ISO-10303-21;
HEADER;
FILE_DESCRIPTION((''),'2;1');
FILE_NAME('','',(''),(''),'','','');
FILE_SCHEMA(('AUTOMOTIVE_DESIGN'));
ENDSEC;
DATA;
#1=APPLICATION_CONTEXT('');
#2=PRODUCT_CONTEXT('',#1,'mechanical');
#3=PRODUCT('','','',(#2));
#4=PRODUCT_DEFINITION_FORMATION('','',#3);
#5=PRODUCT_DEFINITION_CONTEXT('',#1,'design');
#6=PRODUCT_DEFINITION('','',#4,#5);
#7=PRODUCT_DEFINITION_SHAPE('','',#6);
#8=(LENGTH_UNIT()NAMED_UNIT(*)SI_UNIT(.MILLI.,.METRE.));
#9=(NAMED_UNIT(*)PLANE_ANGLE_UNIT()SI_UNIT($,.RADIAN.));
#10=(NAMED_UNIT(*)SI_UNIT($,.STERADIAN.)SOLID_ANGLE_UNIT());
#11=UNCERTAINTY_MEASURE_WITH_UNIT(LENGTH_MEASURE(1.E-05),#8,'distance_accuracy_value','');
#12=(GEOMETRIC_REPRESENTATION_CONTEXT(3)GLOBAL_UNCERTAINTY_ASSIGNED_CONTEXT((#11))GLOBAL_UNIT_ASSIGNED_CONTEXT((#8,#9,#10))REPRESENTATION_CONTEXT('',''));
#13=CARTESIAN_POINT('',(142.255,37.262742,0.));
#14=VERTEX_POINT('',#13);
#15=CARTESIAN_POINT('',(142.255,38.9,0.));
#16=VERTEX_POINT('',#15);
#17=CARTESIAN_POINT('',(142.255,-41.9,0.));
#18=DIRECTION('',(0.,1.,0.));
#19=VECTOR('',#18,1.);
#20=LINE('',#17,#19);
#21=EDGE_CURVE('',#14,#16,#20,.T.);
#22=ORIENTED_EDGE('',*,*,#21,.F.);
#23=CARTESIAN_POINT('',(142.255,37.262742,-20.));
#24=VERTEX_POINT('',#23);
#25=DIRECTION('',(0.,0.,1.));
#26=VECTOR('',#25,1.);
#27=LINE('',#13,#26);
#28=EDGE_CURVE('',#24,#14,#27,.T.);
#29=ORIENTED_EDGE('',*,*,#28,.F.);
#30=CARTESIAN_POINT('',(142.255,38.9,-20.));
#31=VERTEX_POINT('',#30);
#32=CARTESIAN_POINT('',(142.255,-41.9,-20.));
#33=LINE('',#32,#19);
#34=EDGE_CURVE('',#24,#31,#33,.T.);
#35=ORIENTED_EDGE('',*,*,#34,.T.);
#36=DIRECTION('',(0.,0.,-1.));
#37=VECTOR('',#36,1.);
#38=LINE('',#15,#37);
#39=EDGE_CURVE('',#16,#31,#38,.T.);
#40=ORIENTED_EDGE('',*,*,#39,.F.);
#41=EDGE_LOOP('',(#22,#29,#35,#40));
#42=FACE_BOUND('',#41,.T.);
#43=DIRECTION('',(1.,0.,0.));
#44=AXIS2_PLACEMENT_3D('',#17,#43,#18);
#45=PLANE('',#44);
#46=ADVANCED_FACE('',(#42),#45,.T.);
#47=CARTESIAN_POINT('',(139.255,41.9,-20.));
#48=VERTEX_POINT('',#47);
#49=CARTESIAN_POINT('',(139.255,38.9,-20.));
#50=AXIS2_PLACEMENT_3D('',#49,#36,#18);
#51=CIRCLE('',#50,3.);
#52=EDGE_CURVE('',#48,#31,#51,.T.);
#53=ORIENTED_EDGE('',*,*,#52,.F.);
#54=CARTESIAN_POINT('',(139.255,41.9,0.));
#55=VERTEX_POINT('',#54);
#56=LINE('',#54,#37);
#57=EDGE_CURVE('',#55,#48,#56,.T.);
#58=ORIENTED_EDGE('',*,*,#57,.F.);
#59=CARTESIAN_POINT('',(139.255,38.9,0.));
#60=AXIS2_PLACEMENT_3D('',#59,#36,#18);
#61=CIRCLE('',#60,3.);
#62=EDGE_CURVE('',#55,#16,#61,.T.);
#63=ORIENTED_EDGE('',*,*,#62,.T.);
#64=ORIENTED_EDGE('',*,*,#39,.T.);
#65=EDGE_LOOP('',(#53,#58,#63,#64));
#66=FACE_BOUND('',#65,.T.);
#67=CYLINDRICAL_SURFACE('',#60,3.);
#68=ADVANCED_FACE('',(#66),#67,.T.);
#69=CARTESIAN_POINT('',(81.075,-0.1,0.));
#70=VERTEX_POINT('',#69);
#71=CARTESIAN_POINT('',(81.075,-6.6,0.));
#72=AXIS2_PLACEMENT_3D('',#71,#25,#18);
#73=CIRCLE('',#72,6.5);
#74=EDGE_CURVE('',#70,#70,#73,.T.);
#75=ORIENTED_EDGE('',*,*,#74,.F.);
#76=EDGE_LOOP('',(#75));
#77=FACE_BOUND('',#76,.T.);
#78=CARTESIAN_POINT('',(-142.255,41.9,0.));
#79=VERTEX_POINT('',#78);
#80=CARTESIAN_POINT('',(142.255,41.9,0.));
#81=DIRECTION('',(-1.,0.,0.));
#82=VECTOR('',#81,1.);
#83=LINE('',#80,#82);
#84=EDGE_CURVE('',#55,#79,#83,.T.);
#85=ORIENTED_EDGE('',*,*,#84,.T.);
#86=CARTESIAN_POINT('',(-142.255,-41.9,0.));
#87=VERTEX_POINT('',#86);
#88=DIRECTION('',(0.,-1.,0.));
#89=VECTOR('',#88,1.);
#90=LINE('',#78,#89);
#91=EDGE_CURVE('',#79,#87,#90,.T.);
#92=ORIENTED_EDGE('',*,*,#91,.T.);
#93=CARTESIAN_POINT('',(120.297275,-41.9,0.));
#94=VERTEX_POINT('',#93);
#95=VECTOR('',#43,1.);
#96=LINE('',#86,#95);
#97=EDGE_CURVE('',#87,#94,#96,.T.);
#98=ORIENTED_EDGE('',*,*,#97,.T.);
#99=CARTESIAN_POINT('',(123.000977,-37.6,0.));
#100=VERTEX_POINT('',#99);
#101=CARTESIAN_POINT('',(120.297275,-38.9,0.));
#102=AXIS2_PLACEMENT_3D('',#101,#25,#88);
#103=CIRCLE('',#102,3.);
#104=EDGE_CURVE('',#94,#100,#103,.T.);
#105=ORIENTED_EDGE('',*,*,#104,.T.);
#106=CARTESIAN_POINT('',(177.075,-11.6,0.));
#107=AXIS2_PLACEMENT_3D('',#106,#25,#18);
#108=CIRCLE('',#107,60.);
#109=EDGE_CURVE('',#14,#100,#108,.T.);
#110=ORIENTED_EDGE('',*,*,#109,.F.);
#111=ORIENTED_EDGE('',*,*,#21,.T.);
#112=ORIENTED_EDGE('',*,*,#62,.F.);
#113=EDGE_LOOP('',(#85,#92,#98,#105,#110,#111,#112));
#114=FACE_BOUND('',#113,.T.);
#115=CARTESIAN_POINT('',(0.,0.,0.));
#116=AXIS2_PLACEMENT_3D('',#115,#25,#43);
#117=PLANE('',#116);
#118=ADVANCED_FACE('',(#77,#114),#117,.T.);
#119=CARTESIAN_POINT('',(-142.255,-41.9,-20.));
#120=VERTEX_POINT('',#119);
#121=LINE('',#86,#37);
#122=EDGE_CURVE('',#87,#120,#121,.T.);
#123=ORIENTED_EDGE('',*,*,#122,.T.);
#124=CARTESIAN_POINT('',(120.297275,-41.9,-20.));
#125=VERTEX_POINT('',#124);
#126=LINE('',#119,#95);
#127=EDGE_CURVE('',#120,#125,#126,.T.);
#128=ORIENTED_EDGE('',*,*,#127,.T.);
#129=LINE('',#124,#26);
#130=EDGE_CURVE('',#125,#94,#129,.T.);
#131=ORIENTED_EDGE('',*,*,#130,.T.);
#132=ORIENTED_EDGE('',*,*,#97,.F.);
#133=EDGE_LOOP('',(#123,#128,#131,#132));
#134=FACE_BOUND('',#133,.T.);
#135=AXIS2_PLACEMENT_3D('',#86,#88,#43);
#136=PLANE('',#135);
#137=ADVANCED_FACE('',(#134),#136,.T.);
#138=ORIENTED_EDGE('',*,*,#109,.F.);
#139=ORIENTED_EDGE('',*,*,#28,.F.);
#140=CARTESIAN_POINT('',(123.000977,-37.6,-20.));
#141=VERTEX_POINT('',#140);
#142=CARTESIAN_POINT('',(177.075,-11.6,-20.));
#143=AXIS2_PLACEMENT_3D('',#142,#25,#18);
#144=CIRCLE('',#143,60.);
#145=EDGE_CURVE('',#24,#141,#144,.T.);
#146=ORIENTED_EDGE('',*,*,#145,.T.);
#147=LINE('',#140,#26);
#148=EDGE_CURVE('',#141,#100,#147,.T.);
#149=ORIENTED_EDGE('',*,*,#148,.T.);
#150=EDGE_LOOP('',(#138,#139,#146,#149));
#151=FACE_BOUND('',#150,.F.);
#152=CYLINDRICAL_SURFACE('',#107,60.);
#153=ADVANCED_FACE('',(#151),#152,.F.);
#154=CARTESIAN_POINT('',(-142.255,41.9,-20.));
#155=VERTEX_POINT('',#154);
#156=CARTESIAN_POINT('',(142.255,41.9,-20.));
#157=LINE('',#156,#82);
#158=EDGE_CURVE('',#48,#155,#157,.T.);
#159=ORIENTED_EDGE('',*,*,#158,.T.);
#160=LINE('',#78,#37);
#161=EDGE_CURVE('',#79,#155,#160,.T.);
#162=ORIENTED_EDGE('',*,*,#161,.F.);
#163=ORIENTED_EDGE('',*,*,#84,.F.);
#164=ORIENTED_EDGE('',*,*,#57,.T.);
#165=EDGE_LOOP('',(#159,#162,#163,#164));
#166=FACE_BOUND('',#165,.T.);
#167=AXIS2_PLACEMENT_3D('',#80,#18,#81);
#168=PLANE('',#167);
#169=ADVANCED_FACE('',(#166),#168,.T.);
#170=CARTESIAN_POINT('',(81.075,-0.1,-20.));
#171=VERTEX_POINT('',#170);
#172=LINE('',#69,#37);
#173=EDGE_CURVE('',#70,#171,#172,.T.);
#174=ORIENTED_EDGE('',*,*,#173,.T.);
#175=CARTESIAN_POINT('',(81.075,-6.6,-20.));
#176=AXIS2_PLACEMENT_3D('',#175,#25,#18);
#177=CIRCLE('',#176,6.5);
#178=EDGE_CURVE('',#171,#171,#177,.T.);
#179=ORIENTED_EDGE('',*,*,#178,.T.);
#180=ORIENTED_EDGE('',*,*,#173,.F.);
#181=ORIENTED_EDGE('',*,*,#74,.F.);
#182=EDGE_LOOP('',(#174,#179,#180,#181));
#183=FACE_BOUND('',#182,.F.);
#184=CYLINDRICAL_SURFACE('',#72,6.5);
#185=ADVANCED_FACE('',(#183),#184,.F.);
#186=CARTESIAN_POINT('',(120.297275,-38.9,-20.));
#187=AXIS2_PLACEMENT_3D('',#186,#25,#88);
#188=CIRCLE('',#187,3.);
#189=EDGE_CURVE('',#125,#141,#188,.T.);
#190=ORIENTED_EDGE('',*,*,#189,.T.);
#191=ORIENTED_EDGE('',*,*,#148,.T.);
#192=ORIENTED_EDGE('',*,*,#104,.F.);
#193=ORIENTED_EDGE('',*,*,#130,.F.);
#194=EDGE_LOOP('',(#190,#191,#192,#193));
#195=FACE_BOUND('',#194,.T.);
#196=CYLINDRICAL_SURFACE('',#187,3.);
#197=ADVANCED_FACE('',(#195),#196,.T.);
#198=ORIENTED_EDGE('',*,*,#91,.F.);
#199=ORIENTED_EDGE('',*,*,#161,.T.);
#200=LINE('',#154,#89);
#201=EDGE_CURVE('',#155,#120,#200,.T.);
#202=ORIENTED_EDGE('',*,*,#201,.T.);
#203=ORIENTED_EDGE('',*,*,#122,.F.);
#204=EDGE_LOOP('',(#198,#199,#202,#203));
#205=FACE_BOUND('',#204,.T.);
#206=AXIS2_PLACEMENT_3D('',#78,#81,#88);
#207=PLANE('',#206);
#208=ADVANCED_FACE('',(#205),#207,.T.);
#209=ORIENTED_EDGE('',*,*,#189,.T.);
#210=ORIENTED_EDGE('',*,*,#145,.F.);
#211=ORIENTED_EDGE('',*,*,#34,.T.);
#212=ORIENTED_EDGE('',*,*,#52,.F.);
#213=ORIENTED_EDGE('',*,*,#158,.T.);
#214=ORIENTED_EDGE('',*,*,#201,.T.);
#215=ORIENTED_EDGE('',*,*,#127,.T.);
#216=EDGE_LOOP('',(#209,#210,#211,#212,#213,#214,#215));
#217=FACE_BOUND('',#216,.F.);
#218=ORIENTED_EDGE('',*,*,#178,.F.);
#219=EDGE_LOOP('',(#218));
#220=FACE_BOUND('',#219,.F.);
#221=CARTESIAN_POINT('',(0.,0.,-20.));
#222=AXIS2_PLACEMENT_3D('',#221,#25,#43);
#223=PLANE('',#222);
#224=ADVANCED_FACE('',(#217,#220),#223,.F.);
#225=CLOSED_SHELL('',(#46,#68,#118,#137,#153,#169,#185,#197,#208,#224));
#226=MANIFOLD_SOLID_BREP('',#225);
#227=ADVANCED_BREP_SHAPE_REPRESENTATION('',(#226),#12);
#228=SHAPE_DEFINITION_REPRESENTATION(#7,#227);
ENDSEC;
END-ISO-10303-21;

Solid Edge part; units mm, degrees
sketch "Sketch1" plane through (0, 0, 0) normal (0, 0, 1) x (1, 0, 0)
  line L0 (-142.255, -41.9) -> (142.255, -41.9)
  line L1 (142.255, -41.9) -> (142.255, 41.9)
  line L2 (142.255, 41.9) -> (-142.255, 41.9)
  line L3 (-142.255, 41.9) -> (-142.255, -41.9)
extrude "Protrusion1" add sketch "Sketch1" against normal blind 20
sketch "Sketch2" plane through (0, 0, 0) normal (0, 0, 1) x (0, 1, 0)
  circle A0 centre (-6.6, -81.075) radius 6.5
  circle A1 centre (-11.6, -177.075) radius 60
extrude "ExtrudedCutout_1" cut sketch "Sketch2" against normal blind 20
fillet "Round_1" radius 3 2 edges at (125.2878, -41.9, -10) (142.255, 41.9, -10)
